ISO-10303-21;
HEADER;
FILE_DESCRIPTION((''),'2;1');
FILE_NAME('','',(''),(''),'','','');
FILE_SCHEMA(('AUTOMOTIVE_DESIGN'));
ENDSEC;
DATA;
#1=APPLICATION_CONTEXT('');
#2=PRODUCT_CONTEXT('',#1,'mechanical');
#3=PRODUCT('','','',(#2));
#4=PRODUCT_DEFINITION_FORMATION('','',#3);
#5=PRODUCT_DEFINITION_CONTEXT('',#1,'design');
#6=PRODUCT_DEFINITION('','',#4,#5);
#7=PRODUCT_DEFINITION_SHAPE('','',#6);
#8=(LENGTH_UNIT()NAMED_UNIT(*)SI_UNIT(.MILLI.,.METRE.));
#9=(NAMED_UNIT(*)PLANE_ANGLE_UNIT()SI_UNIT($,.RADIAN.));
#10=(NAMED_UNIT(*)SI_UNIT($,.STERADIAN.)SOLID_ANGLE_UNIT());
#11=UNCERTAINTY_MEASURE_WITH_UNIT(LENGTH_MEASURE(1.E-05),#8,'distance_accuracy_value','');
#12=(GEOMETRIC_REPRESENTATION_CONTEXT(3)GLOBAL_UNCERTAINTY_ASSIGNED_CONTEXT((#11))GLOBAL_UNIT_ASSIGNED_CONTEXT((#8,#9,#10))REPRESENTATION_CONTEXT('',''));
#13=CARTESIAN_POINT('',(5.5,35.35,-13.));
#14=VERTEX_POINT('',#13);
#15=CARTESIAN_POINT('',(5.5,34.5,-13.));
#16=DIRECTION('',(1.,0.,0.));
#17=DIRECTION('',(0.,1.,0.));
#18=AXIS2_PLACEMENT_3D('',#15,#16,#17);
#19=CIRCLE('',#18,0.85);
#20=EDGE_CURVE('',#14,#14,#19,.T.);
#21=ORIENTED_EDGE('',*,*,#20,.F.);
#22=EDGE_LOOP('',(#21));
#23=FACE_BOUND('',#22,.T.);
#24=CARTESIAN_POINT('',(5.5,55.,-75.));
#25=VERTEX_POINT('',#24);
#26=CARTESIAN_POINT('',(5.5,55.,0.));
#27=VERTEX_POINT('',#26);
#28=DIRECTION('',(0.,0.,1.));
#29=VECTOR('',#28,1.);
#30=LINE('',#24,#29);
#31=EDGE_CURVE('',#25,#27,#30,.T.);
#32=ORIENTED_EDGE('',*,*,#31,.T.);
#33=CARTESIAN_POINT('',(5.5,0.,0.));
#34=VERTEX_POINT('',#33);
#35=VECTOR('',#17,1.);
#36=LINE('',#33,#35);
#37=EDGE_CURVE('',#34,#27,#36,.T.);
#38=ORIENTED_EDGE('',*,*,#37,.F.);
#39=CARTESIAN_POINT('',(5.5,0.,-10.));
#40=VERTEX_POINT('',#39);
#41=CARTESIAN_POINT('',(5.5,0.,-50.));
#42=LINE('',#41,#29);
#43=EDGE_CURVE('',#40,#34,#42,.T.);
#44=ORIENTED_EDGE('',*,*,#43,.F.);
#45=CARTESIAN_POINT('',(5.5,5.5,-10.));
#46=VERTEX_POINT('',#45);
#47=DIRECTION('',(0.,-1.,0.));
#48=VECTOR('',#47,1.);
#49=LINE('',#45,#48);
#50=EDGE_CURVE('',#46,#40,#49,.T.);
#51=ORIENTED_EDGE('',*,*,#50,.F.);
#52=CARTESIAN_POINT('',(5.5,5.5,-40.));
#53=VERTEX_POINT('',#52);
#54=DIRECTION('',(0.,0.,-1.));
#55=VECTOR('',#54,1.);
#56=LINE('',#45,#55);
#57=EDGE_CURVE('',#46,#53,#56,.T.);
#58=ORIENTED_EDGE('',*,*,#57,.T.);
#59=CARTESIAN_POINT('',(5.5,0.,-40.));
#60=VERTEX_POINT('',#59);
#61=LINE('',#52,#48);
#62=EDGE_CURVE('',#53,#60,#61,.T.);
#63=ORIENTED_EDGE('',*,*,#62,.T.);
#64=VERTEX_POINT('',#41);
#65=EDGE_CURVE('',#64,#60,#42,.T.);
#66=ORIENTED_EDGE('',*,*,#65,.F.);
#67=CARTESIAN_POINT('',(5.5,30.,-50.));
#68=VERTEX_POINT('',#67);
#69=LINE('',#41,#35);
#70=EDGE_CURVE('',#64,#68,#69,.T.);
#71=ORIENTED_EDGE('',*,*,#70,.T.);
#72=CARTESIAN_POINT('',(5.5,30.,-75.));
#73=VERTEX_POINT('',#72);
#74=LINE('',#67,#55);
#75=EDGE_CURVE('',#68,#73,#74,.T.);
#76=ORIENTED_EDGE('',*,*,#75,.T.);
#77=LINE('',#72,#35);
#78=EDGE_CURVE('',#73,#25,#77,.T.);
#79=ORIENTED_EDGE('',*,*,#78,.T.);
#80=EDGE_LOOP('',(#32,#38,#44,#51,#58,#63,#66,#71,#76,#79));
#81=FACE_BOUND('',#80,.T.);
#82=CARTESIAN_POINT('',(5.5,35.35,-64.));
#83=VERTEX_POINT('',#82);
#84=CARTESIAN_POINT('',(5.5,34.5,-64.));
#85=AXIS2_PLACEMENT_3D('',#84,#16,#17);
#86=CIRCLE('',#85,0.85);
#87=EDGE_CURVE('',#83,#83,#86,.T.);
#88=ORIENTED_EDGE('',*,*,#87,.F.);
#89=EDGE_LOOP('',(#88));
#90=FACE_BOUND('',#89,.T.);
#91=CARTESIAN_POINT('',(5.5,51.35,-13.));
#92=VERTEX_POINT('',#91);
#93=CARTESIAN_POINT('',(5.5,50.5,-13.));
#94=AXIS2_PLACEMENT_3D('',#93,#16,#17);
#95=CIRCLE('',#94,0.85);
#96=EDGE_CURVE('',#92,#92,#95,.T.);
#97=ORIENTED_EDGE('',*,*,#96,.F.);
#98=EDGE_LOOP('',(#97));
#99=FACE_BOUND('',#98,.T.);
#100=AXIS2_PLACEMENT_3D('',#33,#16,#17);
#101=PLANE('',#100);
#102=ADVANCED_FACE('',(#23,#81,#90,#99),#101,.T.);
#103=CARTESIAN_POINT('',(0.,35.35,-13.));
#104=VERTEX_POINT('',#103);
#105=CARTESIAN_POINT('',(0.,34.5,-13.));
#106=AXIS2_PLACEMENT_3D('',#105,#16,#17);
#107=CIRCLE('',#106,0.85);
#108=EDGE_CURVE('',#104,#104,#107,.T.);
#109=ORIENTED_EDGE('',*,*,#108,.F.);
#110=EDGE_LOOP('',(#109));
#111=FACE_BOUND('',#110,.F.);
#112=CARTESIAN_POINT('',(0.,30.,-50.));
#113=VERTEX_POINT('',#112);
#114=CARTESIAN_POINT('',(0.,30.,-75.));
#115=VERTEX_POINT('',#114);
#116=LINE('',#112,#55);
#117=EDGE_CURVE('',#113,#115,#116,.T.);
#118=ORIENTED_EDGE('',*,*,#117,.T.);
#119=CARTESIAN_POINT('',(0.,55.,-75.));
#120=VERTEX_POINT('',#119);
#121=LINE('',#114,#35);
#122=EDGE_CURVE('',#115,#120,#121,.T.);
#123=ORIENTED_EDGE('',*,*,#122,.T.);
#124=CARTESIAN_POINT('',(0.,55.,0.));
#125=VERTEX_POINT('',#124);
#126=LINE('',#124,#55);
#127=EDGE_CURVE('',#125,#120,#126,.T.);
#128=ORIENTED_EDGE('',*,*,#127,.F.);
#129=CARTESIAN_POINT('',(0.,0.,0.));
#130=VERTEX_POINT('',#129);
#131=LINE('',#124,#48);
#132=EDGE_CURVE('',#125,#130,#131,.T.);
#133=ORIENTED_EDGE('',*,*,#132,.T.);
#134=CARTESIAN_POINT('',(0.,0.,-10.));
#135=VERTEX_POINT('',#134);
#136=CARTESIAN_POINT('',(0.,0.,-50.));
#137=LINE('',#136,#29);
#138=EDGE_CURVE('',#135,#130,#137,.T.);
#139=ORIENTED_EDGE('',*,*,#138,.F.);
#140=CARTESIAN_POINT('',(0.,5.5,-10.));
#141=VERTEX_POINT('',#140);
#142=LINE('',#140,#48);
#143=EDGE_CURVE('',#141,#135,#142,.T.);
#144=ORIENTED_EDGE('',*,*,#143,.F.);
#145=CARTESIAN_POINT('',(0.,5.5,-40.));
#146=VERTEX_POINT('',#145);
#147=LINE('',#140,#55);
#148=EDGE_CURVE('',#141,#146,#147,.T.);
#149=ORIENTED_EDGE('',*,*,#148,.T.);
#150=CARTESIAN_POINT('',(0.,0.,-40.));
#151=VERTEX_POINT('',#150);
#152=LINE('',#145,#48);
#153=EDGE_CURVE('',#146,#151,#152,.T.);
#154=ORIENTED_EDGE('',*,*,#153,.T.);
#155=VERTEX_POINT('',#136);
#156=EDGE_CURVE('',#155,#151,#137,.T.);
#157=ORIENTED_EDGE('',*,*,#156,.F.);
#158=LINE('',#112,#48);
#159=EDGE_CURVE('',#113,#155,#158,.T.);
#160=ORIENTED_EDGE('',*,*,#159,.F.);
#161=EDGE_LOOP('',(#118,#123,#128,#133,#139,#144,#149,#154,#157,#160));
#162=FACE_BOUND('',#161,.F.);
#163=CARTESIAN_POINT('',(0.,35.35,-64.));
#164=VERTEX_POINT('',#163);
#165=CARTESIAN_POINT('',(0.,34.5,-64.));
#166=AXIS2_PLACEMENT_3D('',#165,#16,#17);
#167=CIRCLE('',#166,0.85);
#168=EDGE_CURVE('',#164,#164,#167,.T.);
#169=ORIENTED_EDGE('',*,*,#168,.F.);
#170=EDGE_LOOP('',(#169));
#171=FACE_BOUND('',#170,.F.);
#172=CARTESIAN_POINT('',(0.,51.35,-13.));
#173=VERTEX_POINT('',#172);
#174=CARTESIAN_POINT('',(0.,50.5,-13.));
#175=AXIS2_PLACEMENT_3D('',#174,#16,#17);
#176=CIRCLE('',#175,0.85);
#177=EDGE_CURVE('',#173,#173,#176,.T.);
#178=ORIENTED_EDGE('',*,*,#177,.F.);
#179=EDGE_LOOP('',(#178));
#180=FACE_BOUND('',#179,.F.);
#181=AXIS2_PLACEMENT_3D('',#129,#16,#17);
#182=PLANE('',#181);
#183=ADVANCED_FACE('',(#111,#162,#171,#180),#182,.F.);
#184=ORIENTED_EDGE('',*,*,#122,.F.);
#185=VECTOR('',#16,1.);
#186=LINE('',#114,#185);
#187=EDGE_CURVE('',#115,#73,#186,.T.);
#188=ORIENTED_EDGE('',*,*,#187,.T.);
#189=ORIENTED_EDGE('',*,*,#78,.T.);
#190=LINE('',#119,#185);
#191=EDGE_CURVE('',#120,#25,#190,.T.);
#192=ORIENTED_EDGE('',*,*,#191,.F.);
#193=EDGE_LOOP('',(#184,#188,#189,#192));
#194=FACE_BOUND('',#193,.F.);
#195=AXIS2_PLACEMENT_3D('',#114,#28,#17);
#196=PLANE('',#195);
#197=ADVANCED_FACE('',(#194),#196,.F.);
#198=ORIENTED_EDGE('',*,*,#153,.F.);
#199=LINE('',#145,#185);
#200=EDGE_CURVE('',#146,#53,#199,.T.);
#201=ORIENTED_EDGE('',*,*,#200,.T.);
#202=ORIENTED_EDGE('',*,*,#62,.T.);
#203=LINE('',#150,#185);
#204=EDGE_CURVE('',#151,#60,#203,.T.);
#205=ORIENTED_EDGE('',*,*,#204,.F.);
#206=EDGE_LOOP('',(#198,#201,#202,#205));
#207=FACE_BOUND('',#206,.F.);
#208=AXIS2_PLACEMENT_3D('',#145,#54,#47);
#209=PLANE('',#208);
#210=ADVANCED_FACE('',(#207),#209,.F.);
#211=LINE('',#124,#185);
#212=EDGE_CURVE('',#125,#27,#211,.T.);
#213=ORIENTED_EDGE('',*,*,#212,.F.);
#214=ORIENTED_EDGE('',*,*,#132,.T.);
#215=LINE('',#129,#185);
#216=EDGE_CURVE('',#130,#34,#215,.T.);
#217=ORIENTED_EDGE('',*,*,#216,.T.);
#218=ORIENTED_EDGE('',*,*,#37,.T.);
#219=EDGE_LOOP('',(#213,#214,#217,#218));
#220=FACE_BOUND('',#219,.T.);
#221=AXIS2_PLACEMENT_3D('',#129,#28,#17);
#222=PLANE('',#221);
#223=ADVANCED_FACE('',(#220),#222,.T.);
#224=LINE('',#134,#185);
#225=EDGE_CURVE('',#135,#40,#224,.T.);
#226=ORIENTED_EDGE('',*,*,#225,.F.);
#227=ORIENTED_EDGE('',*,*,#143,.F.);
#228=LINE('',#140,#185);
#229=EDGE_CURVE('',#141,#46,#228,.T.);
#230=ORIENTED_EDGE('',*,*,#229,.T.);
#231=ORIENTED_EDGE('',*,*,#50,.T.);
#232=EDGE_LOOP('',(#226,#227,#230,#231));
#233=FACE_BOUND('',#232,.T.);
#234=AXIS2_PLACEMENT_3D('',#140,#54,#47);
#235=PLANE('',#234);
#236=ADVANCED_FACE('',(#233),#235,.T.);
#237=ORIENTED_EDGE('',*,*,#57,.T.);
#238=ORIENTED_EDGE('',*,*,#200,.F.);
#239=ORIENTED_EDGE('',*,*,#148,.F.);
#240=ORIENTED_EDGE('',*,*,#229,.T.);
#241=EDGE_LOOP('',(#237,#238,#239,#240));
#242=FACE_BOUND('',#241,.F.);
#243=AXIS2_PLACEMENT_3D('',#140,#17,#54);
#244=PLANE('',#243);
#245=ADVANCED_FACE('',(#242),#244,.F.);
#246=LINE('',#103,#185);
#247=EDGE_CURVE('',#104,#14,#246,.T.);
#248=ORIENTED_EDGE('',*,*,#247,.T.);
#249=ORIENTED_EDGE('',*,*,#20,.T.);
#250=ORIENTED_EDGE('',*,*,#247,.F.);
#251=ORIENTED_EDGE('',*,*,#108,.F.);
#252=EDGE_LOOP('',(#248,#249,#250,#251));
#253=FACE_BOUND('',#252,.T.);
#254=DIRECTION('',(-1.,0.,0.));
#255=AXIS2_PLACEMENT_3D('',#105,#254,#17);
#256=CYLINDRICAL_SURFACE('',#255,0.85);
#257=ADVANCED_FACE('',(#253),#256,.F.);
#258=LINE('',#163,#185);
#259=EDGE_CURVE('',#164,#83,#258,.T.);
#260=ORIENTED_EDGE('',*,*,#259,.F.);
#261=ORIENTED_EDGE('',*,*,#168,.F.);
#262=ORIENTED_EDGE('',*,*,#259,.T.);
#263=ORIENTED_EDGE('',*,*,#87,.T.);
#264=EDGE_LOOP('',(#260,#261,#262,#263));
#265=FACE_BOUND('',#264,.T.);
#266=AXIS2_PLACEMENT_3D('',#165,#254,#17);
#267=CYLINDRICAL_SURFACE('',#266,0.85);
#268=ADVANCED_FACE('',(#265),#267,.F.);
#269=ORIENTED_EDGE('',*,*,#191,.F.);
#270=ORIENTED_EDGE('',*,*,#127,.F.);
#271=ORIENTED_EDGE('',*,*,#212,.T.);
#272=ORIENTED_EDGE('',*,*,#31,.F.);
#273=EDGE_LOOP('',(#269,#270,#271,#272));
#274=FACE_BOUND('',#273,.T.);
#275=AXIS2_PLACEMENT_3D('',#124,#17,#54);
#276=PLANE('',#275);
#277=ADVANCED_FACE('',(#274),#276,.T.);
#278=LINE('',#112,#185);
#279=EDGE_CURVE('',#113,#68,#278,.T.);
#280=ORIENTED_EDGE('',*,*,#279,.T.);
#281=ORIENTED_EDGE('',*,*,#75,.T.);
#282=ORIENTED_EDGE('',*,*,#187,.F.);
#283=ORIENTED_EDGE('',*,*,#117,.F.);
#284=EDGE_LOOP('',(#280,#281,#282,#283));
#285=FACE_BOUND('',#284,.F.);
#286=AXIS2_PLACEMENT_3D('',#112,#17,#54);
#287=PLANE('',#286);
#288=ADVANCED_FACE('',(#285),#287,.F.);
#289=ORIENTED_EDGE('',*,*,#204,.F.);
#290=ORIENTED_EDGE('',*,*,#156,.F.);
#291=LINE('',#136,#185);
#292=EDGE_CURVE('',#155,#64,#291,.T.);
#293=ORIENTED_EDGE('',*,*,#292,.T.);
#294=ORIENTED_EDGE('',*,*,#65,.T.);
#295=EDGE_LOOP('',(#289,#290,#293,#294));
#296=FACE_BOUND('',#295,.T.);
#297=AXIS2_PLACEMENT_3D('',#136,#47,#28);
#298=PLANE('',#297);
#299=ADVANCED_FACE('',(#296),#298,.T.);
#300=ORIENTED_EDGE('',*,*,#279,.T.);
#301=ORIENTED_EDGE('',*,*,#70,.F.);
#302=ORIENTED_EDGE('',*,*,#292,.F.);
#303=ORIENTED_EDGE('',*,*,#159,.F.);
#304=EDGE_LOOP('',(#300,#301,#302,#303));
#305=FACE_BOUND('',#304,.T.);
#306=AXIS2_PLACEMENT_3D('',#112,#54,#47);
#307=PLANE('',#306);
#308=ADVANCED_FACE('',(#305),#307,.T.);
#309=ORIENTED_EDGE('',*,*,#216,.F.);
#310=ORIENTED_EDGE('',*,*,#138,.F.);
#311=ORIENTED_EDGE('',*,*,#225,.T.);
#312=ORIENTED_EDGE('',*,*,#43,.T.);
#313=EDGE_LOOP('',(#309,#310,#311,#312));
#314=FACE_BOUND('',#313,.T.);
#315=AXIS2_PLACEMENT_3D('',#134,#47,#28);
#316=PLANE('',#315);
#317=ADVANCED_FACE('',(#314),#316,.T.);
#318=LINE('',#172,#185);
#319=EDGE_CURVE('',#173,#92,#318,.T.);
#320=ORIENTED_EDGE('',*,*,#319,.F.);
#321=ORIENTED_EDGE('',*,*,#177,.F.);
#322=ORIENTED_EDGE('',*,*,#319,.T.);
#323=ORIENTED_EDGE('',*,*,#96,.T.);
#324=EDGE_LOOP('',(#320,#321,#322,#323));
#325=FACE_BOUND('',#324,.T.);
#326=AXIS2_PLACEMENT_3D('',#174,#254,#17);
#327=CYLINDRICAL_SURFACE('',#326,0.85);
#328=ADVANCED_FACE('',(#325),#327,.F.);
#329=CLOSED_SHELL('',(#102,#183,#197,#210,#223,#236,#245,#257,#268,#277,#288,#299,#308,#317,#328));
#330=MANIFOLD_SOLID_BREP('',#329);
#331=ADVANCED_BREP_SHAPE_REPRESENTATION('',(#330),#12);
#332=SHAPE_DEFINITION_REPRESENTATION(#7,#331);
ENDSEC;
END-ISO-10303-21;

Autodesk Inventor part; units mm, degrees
ref_plane "YZ Plane" through (0, 0, 0) normal (1, 0, 0) x (0, 1, 0)
ref_plane "XZ Plane" through (0, 0, 0) normal (0, 1, 0) x (-1, 0, 0)
ref_plane "XY Plane" through (0, 0, 0) normal (0, 0, 1) x (1, 0, 0)
sketch "スケッチ1" plane through (0, 0, 0) normal (1, 0, 0) x (0, 1, 0)
  line L0 (0, 0) -> (30, 0)
  line L1 (30, 0) -> (30, -50) construction
  line L2 (30, -50) -> (0, -50)
  line L3 (0, -50) -> (0, 0)
  line L4 (30, 0) -> (55, 0)
  line L5 (55, 0) -> (55, -50)
  line L6 (55, -50) -> (30, -50)
  line L7 (30, -50) -> (30, 0) construction
  circle A0 centre (50.5, -13) radius 0.85
  circle A1 centre (34.5, -13) radius 0.85
  line L8 (50.5, -13) -> (34.5, -13) construction
  line L9 (0, 0) -> (5.5, 0)
  line L10 (5.5, 0) -> (5.5, -10)
  line L11 (5.5, -10) -> (0, -10)
  line L12 (0, -10) -> (0, 0)
  line L13 (0, -50) -> (5.5, -50)
  line L14 (5.5, -50) -> (5.5, -40)
  line L15 (5.5, -40) -> (0, -40)
  line L16 (0, -40) -> (0, -50)
  line L17 (34.5, -13) -> (34.5, -64) construction
  line L18 (34.5, -13) -> (85.5, -13) construction
  circle A2 centre (34.5, -64) radius 0.85
  line L19 (55, -50) -> (30, -50)
  line L20 (30, -50) -> (30, -75)
  line L21 (30, -75) -> (55, -75)
  line L22 (55, -75) -> (55, -50)
  line L23 (5.5, -10) -> (5.5, -40)
  point P0 (55, -25)
  point P1 (42.5, -13)
  point P2 (42.5, -50)
  point P3 (0, -40)
  dimension "d0" = 30
  dimension "d1" = 50
  dimension "d2" = 25
  dimension "d3" = 1.7
  dimension "d4" = 1.7
  dimension "d5" = 12
  dimension "d6" = 16
  dimension "d7" = 10
  dimension "d8" = 5.5
  dimension "d9" = 51
  dimension "d10" = 90
  dimension "d11" = 1.7
extrude "押し出し1" add sketch "スケッチ1" along normal blind 5.5 contours L0 L10 L11 L3 | L0 L4 L5 L6 L2 L14 L23 L10 | L15 L14 L2 L3 | L22 L21 L20 L6
properties part number "壁"
